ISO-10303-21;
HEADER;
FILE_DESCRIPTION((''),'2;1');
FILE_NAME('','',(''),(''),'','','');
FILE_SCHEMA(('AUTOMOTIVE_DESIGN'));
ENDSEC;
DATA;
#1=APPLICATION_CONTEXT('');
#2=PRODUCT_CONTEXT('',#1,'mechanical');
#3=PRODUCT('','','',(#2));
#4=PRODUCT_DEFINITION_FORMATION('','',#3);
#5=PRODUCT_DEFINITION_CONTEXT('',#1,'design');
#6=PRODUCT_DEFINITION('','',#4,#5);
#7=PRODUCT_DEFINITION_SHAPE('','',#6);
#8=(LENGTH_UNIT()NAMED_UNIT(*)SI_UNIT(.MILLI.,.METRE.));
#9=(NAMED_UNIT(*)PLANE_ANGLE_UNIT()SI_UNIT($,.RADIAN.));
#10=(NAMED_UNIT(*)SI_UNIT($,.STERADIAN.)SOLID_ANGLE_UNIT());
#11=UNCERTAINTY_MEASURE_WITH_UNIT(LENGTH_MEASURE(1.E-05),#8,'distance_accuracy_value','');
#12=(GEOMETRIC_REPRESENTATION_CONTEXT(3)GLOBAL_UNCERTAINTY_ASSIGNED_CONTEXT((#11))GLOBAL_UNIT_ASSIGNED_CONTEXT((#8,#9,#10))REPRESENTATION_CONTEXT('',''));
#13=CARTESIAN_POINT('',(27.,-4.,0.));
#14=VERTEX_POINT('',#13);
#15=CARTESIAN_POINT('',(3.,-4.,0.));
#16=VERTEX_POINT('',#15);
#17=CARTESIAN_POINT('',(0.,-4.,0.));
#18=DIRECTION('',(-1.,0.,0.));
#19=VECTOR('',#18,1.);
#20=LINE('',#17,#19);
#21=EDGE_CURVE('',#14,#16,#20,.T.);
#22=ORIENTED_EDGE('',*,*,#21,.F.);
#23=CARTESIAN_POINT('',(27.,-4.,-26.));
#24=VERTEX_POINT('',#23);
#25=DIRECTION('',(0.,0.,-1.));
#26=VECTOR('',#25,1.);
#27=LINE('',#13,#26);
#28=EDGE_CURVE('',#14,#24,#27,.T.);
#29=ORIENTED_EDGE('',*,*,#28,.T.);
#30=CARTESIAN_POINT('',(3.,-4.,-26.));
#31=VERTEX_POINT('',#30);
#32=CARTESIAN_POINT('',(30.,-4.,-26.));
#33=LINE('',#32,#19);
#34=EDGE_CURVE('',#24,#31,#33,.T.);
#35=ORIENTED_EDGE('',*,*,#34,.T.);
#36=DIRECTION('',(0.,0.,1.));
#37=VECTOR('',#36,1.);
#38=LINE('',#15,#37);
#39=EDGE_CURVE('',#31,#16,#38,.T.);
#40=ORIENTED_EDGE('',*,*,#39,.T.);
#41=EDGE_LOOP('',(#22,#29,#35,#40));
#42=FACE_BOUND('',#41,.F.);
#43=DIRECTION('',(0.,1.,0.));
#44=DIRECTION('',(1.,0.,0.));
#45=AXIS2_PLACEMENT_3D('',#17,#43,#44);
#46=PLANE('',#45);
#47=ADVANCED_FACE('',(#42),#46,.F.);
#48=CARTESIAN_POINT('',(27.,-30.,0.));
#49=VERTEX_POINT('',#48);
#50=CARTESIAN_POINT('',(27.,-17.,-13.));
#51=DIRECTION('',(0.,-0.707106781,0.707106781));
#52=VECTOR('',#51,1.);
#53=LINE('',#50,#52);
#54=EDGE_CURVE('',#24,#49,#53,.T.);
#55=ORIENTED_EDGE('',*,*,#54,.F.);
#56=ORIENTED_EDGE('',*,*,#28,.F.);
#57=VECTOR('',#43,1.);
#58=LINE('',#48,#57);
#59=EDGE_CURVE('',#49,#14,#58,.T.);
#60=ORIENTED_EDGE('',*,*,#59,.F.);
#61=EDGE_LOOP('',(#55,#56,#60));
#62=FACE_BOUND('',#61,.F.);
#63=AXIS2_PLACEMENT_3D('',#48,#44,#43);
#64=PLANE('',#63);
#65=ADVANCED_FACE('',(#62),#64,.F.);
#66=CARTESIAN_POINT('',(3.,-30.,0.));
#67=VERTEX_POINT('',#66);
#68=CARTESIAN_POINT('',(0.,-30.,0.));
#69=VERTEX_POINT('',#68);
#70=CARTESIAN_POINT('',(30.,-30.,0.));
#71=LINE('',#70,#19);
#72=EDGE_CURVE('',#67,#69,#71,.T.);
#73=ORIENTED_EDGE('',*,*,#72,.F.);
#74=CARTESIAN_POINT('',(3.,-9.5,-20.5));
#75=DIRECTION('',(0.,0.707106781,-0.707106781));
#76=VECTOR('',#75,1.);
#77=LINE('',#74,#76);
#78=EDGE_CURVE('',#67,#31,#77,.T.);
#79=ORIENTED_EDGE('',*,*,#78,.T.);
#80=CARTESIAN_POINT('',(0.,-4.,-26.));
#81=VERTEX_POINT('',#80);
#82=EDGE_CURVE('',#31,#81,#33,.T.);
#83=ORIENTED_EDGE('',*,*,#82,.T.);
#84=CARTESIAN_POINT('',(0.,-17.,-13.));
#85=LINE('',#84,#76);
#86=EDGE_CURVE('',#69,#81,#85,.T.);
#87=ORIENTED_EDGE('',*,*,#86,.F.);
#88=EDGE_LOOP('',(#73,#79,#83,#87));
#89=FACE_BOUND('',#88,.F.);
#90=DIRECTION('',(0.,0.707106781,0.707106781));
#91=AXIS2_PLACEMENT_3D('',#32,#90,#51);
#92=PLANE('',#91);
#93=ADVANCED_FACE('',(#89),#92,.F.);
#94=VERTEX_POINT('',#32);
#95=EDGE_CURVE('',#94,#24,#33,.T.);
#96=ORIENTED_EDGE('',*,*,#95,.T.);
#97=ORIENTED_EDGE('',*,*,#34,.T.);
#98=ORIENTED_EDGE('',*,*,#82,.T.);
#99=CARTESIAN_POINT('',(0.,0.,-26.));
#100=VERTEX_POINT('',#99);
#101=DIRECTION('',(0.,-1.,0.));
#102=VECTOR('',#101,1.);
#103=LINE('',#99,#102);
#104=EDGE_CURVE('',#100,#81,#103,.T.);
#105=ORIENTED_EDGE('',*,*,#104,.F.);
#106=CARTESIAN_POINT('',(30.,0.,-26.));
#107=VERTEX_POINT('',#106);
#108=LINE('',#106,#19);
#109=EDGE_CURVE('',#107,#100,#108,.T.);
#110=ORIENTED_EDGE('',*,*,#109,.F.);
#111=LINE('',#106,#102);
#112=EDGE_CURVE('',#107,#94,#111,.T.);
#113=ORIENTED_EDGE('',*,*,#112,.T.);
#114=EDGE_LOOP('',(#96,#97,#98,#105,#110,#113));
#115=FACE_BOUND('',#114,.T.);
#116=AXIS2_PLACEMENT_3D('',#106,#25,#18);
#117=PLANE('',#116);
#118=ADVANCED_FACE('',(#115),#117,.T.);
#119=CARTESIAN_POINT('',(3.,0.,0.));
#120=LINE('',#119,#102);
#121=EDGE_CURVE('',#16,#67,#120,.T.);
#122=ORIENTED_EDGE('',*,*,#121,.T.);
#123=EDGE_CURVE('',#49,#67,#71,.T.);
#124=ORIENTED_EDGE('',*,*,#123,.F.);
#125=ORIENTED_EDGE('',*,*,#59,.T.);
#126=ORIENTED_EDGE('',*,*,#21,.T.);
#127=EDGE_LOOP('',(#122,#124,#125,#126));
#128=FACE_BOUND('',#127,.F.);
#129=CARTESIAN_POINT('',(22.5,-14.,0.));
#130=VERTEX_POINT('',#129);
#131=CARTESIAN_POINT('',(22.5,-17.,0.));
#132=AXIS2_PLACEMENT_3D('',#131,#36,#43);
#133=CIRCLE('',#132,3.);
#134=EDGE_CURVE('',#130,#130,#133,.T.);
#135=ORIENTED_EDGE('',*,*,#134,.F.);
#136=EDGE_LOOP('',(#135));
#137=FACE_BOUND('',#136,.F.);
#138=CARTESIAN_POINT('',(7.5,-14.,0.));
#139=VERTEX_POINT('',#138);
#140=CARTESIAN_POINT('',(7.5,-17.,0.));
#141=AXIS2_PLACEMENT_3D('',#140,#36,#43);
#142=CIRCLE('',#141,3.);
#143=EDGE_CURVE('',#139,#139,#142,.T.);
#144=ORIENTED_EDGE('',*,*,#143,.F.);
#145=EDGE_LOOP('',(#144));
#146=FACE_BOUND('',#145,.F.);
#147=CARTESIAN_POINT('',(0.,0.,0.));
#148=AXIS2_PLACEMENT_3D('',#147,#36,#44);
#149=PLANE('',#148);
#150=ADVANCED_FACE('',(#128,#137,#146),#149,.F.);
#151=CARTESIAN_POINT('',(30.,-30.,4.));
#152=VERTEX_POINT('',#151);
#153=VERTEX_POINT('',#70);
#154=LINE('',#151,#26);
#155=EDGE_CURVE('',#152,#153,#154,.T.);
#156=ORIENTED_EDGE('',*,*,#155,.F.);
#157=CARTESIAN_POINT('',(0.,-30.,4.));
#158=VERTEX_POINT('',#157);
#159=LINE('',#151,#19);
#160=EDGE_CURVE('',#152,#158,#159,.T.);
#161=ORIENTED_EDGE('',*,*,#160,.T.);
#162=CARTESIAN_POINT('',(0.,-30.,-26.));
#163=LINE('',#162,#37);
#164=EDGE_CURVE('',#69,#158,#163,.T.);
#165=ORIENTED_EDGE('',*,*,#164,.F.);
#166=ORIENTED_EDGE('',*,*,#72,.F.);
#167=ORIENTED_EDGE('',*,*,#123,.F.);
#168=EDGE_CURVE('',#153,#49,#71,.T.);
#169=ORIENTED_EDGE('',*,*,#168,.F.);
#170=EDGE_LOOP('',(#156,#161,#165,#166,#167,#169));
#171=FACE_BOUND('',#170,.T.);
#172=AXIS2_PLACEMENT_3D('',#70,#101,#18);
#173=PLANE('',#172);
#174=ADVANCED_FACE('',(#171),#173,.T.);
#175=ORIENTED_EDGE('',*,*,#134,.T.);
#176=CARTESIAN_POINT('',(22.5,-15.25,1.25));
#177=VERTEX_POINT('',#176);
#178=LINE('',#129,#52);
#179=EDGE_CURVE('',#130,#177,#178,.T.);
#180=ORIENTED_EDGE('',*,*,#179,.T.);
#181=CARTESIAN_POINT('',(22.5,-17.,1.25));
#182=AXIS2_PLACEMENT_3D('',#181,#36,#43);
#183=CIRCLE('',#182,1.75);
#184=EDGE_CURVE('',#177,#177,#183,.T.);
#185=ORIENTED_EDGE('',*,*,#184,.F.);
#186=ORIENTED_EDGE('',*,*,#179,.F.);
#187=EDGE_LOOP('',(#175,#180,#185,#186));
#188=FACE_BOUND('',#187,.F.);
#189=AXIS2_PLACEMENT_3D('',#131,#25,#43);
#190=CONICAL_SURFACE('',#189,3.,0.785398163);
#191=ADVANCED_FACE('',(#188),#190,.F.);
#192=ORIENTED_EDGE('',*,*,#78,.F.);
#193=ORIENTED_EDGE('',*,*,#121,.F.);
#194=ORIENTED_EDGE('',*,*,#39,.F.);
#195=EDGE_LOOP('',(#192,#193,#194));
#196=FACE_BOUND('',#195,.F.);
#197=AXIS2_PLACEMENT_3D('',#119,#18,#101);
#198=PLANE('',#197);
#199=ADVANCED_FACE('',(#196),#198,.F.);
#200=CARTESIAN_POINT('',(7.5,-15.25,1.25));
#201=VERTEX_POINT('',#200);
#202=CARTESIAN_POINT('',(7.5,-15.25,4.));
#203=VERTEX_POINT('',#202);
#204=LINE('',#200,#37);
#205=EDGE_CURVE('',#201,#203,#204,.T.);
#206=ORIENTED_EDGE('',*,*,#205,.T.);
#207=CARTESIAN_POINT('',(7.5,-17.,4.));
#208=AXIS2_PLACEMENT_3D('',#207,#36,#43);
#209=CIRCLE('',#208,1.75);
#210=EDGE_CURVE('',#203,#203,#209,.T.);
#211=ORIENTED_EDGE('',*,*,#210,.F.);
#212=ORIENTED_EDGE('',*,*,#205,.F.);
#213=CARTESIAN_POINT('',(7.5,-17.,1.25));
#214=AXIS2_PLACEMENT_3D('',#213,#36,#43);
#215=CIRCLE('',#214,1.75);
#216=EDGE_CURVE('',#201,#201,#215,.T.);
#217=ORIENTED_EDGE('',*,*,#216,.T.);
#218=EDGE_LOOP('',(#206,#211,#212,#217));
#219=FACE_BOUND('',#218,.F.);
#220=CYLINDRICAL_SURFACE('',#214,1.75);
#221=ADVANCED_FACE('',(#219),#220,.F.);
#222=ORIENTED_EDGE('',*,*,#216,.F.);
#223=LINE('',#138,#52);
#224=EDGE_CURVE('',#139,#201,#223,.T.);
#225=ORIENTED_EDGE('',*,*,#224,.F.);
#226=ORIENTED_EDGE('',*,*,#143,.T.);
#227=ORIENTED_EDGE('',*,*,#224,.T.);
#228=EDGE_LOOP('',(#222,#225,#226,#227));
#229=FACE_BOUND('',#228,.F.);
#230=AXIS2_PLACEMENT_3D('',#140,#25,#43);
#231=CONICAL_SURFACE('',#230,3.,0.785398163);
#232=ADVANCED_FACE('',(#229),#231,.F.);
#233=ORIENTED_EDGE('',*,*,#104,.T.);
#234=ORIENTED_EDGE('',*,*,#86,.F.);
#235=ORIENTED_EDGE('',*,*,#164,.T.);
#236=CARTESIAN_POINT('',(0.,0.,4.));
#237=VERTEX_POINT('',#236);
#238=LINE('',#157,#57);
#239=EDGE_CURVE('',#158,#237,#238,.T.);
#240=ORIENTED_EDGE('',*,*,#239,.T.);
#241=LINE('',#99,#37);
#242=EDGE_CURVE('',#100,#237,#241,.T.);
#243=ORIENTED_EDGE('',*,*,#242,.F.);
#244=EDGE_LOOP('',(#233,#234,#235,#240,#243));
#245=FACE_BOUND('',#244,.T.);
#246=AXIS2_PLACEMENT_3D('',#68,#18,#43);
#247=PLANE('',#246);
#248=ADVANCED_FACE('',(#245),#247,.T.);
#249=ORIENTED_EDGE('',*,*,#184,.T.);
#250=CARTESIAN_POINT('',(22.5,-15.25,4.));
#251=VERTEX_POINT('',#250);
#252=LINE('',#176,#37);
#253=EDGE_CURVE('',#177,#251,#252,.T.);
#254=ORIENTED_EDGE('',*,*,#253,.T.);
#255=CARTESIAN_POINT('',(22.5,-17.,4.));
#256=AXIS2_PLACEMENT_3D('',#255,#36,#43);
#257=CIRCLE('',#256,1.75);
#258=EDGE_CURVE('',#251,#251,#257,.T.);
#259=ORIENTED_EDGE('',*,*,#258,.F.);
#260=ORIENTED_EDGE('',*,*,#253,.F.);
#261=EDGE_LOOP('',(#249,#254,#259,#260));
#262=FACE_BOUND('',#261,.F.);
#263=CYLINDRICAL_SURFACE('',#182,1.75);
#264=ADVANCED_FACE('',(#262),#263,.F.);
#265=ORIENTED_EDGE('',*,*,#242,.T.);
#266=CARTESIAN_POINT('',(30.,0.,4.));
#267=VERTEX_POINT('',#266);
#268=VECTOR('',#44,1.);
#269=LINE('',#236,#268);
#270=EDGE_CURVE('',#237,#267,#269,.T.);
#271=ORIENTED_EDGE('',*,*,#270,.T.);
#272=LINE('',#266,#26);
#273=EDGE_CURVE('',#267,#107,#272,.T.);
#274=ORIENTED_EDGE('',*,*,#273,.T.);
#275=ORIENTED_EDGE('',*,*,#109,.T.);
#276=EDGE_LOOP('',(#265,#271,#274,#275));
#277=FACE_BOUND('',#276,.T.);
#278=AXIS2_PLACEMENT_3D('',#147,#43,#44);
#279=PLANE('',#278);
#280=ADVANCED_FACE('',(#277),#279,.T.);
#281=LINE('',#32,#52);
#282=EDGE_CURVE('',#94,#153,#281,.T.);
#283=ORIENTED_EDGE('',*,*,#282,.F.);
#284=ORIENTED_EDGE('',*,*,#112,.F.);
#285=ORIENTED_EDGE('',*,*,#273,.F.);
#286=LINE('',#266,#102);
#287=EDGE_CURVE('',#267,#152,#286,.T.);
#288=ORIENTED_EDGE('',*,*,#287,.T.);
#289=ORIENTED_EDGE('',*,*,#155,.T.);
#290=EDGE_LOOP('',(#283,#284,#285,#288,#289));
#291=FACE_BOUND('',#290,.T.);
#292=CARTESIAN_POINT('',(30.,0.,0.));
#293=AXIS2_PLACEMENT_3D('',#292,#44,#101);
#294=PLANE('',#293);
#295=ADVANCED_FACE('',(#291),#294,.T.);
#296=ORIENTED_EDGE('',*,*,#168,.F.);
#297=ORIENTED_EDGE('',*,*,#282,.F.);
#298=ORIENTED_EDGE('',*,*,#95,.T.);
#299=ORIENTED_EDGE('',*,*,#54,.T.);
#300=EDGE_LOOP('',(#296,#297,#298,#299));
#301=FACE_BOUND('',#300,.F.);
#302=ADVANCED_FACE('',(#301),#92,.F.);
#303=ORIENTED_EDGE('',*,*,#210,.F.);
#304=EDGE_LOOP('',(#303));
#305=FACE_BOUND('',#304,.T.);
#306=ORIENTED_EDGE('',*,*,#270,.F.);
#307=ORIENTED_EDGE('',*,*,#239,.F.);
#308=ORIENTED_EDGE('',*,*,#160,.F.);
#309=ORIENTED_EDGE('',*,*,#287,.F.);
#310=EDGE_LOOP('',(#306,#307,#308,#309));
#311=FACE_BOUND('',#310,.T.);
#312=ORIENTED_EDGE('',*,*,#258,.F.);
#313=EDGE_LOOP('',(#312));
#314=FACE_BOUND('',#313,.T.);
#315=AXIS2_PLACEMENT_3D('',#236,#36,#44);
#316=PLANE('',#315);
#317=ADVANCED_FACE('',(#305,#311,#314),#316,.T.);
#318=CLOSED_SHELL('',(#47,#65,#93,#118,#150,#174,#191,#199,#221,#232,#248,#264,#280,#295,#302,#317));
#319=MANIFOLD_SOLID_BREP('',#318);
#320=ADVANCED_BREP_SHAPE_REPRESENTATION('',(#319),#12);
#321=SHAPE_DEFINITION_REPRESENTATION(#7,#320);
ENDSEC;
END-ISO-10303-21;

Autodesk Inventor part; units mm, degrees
ref_plane "YZ Plane" through (0, 0, 0) normal (1, 0, 0) x (0, 1, 0)
ref_plane "XZ Plane" through (0, 0, 0) normal (0, 1, 0) x (-1, 0, 0)
ref_plane "XY Plane" through (0, 0, 0) normal (0, 0, 1) x (1, 0, 0)
sketch "Boceto1" plane through (0, 0, 0) normal (0, 0, 1) x (1, 0, 0)
  line L0 (0, 0) -> (30, 0)
  line L1 (30, 0) -> (30, -30)
  line L2 (30, -30) -> (0, -30)
  line L3 (0, -30) -> (0, 0)
  dimension "d0" = 30
  dimension "d1" = 30
extrude "Extrusión1" add sketch "Boceto1" along normal blind 4
sketch "Boceto2" plane through (0, 0, 0) normal (0, 1, 0) x (1, 0, 0)
  line L0 (30, -4) -> (0, -4) projected
  line L1 (0, -4) -> (30, -4)
  line L2 (30, -4) -> (30, 26)
  line L3 (30, 26) -> (0, 26)
  line L4 (0, 26) -> (0, -4)
  point P0 (0, 0)
  dimension "d4" = 30
extrude "Extrusión2" add sketch "Boceto2" against normal blind 4
sketch "Boceto3" plane through (0, 0, 0) normal (0, 0, -1) x (-1, 0, 0)
  line L0 (0, -4) -> (-30, -4) projected
  line L1 (-30, -30) -> (-30, -4) projected
  line L2 (0, -30) -> (-30, -30) projected
  line L3 (0, -4) -> (0, -30) projected
  line L4 (0, -30) -> (-30, -30) projected
  line L5 (-15, -30) -> (-15, -4)
  line L6 (0, -4) -> (0, -30) projected
  line L7 (0, -17) -> (-30, -17)
  line L8 (-30, -17) -> (-22.5, -17)
  circle A0 centre (-22.5, -17) radius 3
  line L9 (0, -17) -> (-7.5, -17)
  circle A1 centre (-7.5, -17) radius 3
  point P0 (0, 0)
  dimension "d7" = 7.5
  dimension "d8" = 6
  dimension "d9" = 7.5
  dimension "d10" = 6
hole "Agujero1" at (22.5, -17, 0) at (7.5, -17, 0) direction (0, 0, 1) diameter 3.5 end through all countersink diameter 6 countersink angle 90
sketch "Boceto4" plane through (0, 0, 0) normal (0, 0, -1) x (-1, 0, 0)
  line L0 (0, -30) -> (-30, -30) projected
  line L1 (0, 0) -> (-3, 0)
  line L2 (-3, 0) -> (-3, -30)
  line L3 (-3, -30) -> (0, -30)
  line L4 (0, -30) -> (0, 0)
  line L5 (-30, -30) -> (-27, -30)
  line L6 (-27, -30) -> (-27, 0)
  line L7 (-27, 0) -> (-30, 0)
  line L8 (-30, 0) -> (-30, -30)
  dimension "d18" = 3
  dimension "d19" = 3
extrude "Extrusión3" add sketch "Boceto4" along normal up to surface (26 mm away)
sketch "Boceto5" plane through (30, -30, 4) normal (1, 0, 0) x (0, 0, -1)
  line L0 (30, 26) -> (4, 0)
  line L1 (30, 30) -> (0, 30) projected
  line L2 (0, 0) -> (0, 30) projected
  line L3 (30, 0) -> (0, 0) projected
  line L4 (30, 30) -> (30, 0) projected
  point P0 (4, 30)
extrude "Extrusión4" cut sketch "Boceto5" against normal through all contours L4 L3 L0
properties part number "Union"
